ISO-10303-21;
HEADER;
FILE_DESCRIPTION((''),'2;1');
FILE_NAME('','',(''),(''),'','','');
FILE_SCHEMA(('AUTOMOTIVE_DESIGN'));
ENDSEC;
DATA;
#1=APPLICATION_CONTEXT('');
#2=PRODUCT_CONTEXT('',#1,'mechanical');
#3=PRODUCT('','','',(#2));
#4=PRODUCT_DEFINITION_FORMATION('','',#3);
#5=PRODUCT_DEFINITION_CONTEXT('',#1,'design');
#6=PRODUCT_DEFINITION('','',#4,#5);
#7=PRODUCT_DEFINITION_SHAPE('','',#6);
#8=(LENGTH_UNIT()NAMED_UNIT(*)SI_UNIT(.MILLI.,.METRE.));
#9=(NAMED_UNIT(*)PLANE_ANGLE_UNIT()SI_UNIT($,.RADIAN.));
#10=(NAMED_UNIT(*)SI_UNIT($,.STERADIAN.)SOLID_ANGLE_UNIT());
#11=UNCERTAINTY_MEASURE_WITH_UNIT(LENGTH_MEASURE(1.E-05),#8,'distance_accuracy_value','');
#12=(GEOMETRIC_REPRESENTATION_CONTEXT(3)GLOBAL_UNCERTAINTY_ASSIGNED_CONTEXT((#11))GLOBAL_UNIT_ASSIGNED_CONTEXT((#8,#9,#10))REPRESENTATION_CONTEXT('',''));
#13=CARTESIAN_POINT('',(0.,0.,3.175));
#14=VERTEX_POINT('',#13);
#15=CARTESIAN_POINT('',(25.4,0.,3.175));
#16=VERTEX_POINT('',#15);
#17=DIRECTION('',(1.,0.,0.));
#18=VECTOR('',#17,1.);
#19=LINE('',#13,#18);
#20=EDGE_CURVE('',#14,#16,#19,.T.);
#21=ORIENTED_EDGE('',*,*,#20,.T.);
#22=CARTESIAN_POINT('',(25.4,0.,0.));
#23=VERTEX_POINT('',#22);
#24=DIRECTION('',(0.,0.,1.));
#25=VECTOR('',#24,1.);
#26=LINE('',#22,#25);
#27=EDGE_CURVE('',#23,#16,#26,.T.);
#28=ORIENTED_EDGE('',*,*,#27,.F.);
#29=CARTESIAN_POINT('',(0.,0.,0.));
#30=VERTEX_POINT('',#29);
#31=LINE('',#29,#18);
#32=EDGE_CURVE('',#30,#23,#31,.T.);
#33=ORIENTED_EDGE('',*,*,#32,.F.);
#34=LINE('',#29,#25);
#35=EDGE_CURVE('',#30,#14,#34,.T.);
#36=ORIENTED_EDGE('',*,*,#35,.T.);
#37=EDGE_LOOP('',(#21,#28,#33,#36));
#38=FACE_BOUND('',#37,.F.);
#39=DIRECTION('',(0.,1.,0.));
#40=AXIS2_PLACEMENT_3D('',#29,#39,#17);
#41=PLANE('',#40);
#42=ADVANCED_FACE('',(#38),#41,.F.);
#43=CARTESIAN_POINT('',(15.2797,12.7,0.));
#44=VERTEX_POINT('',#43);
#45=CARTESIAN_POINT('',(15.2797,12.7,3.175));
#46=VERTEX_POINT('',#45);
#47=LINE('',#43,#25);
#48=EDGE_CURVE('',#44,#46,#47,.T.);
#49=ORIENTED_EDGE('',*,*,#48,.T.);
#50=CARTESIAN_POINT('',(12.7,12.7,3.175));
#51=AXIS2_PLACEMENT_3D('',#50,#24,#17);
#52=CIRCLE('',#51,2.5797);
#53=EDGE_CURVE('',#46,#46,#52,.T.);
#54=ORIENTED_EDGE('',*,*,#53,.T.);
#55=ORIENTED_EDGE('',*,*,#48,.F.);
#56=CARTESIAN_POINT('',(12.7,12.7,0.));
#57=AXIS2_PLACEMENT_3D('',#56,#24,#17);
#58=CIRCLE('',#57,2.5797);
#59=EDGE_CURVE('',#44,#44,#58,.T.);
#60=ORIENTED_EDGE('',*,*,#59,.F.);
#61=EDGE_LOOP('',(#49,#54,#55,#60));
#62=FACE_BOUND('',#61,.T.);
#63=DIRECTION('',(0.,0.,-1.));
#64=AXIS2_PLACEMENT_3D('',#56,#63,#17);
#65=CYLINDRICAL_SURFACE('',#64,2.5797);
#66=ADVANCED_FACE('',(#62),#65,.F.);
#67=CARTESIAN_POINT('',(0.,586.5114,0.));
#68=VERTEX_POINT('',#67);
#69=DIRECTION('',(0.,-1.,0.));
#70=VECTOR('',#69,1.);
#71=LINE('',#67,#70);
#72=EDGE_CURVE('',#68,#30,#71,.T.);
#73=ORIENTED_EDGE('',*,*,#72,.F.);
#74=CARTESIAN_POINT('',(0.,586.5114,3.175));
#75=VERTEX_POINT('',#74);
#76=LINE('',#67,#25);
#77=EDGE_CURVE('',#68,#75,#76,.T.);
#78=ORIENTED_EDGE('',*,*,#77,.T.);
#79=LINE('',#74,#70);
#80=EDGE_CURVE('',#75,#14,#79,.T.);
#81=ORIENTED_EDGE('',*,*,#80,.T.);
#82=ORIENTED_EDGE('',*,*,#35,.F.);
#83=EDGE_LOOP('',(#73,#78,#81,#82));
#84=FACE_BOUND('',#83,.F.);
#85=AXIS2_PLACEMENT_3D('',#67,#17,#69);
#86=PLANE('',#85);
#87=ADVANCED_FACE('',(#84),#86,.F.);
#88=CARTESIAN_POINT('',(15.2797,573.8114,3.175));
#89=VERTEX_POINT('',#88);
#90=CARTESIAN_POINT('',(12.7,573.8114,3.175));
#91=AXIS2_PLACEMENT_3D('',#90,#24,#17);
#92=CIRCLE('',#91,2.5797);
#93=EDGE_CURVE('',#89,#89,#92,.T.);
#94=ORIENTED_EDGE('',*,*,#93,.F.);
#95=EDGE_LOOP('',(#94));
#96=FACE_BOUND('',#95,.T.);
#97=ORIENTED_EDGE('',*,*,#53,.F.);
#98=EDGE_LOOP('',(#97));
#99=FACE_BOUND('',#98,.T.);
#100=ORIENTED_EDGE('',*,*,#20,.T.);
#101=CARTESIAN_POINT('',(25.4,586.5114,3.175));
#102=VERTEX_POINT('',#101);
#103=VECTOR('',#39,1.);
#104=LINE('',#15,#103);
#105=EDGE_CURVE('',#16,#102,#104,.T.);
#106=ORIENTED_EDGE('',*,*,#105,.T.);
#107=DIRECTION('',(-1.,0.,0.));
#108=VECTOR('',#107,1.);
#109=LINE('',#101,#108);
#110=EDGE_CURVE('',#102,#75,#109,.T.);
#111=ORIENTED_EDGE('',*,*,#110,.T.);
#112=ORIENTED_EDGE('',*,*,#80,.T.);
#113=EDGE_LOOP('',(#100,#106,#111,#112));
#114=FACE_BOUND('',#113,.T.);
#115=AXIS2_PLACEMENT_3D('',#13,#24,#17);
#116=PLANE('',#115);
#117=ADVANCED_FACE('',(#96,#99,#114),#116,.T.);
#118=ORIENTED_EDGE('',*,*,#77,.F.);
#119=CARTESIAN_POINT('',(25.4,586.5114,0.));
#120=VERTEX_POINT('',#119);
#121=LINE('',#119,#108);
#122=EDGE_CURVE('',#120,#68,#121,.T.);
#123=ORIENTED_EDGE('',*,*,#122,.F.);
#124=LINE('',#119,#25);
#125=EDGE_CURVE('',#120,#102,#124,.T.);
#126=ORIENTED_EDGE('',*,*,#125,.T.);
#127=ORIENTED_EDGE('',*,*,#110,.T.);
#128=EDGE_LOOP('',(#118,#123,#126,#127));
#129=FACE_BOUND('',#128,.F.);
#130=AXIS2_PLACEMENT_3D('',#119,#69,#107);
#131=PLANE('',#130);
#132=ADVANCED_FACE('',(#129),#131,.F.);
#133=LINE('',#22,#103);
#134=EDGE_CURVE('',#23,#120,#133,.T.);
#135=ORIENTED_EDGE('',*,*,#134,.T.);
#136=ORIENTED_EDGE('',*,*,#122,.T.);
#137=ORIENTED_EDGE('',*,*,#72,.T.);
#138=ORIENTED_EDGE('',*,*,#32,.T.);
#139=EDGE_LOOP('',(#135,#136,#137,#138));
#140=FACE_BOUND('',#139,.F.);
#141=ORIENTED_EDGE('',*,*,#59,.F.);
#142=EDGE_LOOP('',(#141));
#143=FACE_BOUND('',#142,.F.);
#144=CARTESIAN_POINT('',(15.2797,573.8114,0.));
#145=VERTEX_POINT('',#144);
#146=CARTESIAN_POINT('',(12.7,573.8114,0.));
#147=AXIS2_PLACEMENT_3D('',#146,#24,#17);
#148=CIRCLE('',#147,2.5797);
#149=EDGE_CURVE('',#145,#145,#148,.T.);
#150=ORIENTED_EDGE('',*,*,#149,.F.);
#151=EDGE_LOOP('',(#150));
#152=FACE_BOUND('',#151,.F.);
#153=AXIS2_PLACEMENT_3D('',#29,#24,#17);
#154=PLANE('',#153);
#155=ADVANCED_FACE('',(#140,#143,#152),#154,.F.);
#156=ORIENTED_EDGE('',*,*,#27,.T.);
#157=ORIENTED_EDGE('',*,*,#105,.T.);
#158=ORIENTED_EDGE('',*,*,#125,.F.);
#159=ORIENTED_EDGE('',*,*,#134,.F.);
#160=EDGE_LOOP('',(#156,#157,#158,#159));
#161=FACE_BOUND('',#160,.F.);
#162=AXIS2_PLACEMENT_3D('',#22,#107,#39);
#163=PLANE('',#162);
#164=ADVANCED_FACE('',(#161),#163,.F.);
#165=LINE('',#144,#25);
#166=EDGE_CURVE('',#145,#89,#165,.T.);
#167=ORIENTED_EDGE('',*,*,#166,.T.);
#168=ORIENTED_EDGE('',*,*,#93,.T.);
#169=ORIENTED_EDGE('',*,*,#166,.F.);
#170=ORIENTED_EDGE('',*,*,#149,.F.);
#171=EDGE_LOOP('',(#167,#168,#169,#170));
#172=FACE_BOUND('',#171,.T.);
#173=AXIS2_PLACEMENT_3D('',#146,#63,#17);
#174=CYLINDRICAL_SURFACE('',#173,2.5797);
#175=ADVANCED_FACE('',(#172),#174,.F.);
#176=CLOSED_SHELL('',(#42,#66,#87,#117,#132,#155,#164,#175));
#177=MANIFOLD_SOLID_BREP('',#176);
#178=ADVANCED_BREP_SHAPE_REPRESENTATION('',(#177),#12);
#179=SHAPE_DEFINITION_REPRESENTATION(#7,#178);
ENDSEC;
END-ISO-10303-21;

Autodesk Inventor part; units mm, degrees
ref_plane "YZ Plane" through (0, 0, 0) normal (1, 0, 0) x (0, 1, 0)
ref_plane "XZ Plane" through (0, 0, 0) normal (0, 1, 0) x (-1, 0, 0)
ref_plane "XY Plane" through (0, 0, 0) normal (0, 0, 1) x (1, 0, 0)
sketch "Sketch1" plane through (0, 0, 0) normal (0, 0, 1) x (1, 0, 0)
  line L0 (0, 0) -> (25.4, 0)
  line L1 (25.4, 0) -> (25.4, 586.5114)
  line L2 (25.4, 586.5114) -> (0, 586.5114)
  line L3 (0, 586.5114) -> (0, 0)
  line L4 (12.7, 0) -> (12.7, 12.7) construction
  circle A0 centre (12.7, 12.7) radius 2.5797
  line L5 (12.7, 586.5114) -> (12.7, 573.8114) construction
  circle A1 centre (12.7, 573.8114) radius 2.5797
  dimension "d0" = 25.4
  dimension "d2" = 12.7
  dimension "d3" = 5.1594
  dimension "d4" = 12.7
  dimension "d7" = 561.1114
extrude "Extrusion1" add sketch "Sketch1" along normal blind 3.175
properties part number "Strutural Integrity Bar"
